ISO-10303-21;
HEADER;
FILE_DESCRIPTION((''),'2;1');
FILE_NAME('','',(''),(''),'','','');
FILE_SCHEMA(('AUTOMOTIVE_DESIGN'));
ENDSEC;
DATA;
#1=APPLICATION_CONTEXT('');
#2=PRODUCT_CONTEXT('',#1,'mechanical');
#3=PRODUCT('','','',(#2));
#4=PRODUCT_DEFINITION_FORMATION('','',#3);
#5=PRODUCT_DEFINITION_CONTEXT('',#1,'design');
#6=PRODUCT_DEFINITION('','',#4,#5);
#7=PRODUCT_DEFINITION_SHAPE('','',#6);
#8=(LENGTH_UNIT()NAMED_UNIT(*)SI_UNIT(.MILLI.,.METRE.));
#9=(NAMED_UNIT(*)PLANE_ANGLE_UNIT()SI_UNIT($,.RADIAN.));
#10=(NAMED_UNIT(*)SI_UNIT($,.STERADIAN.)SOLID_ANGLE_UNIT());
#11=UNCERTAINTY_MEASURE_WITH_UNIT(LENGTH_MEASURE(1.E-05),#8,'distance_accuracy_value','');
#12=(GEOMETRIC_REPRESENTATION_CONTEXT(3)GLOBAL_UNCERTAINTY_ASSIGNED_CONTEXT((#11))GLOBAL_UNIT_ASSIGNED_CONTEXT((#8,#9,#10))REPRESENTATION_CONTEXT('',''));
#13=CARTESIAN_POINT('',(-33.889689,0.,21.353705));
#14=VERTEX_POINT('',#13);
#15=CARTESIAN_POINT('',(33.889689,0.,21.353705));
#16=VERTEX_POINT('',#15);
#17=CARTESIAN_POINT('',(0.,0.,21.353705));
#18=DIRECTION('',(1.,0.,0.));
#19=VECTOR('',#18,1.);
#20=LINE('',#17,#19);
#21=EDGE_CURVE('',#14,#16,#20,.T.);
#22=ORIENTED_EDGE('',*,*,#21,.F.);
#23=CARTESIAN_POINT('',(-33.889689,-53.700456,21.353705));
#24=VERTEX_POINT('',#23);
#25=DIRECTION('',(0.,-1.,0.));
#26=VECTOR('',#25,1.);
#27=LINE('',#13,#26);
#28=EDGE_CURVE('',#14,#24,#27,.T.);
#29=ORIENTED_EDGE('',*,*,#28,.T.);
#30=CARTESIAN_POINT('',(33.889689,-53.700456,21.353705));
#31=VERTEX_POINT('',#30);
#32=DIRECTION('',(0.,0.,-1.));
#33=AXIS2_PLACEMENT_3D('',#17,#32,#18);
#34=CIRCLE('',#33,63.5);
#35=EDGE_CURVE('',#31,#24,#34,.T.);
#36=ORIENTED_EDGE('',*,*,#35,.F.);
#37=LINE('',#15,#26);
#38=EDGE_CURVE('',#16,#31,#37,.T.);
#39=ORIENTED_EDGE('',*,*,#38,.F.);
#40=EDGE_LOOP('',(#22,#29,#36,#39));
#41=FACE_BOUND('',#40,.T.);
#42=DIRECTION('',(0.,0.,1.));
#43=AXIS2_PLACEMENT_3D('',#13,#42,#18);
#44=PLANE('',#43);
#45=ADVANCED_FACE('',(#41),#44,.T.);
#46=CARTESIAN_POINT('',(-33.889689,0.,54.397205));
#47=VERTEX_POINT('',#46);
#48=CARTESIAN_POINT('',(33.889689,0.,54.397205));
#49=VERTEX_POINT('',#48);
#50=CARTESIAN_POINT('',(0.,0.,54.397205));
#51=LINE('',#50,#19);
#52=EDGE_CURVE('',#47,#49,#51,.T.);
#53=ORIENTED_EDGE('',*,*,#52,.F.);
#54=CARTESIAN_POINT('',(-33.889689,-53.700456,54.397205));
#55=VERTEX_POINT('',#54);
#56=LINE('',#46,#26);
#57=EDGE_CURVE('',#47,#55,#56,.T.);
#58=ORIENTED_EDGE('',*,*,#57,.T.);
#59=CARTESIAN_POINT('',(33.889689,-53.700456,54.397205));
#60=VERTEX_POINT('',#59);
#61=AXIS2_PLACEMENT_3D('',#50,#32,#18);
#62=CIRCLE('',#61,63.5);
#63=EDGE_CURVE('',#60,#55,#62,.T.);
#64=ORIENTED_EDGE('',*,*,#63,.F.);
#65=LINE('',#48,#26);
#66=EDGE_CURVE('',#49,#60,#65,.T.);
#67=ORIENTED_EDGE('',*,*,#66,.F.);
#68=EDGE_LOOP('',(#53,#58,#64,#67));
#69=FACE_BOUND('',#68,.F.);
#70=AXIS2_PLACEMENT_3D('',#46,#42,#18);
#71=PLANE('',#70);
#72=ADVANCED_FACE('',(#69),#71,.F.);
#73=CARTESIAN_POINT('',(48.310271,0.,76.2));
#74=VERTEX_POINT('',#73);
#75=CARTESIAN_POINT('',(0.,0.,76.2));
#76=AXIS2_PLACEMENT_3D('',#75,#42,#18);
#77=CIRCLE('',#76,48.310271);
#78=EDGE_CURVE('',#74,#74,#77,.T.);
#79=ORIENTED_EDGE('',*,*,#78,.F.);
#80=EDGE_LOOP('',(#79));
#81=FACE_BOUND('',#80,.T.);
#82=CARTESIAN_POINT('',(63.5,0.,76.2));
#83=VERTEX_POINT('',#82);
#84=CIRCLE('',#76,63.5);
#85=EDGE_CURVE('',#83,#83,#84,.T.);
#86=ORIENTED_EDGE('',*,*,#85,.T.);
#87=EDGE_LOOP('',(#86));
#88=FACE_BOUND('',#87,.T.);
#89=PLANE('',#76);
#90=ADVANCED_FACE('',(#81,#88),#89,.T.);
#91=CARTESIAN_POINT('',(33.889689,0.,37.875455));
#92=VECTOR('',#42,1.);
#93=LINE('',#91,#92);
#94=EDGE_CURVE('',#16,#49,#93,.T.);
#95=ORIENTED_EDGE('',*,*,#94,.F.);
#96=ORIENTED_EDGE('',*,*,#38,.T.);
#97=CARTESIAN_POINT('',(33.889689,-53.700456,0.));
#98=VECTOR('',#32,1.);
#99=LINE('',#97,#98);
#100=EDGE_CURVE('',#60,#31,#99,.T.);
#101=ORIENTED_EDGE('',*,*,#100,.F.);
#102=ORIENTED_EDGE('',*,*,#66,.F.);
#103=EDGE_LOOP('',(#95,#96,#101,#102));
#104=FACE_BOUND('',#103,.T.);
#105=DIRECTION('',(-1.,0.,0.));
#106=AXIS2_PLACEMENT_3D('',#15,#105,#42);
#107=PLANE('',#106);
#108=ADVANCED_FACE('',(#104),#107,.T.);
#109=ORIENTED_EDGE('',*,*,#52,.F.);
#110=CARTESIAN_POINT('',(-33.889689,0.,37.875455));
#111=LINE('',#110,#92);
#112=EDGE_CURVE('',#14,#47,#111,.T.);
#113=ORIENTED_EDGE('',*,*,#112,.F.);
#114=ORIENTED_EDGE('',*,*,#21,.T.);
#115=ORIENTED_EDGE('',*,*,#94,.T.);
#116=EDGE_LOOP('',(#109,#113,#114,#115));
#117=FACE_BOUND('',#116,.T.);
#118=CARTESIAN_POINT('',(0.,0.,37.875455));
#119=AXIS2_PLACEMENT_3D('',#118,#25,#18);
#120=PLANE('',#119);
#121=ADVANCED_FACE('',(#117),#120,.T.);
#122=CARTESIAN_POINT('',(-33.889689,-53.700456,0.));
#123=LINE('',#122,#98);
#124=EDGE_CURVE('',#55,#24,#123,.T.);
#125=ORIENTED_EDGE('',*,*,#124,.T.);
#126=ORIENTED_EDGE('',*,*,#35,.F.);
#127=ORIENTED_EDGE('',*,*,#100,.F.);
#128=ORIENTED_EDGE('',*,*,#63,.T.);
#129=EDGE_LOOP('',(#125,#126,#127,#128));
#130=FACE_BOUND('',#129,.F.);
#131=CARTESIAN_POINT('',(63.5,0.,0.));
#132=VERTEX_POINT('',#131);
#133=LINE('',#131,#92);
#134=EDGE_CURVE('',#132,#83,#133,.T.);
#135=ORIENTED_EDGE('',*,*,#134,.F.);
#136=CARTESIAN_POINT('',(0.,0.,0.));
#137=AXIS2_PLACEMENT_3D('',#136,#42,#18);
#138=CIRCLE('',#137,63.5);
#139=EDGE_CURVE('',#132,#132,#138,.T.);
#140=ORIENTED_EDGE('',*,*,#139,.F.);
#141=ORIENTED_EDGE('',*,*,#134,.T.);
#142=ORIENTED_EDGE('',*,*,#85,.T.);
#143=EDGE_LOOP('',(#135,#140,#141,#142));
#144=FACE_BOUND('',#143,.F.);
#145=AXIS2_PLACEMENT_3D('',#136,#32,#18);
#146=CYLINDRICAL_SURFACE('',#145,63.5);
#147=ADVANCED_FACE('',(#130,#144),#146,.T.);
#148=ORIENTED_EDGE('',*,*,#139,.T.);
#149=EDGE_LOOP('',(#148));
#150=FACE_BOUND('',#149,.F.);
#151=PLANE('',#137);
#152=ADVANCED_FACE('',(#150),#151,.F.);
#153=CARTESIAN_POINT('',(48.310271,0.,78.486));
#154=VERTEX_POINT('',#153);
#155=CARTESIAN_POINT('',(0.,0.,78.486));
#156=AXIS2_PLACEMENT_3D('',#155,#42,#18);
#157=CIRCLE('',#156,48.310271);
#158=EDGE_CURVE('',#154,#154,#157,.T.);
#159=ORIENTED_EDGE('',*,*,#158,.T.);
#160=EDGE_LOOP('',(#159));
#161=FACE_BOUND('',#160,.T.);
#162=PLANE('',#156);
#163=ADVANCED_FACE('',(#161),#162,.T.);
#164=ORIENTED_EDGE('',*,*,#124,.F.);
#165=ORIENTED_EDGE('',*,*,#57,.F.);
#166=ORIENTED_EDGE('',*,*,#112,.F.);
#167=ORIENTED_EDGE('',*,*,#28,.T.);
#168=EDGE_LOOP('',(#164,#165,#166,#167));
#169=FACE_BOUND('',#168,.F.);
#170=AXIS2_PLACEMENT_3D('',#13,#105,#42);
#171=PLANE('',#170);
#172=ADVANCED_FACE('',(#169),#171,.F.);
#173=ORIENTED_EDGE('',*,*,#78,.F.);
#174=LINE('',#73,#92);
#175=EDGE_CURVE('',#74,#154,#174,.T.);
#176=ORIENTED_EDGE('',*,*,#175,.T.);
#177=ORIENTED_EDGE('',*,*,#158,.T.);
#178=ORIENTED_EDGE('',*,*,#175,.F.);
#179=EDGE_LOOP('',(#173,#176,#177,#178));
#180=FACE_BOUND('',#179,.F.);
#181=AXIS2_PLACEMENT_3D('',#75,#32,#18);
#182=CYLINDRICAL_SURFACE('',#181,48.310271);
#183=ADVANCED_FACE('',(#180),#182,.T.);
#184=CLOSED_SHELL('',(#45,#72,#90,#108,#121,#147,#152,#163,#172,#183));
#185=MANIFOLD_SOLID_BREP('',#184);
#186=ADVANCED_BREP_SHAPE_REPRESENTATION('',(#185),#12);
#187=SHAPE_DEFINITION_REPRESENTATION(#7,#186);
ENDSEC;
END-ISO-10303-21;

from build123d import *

# Parameters (mm, degrees)
F0_R     = 63.5
F1_DEPTH = 76.2
F3_R     = 48.310271
F4_DEPTH = 2.286
F5_W     = 67.779378
F5_H     = 33.0435
F6_DEPTH = 127


with BuildPart() as f1:
    # F0 (on Top) → F1 (new body)
    with BuildSketch(Plane.XY):
        Circle(F0_R)
    extrude(amount=F1_DEPTH)

    # F3 (on face) → F4 (join)
    with BuildSketch(Plane.XY.offset(76.2)):
        Circle(F3_R)
    extrude(amount=F4_DEPTH)

    # F5 (on Front) → F6 (cut)
    with BuildSketch(Plane.XZ):
        with Locations((0, 37.875455)):
            Rectangle(F5_W, F5_H)
    extrude(amount=F6_DEPTH, mode=Mode.SUBTRACT)


solid = f1.part
